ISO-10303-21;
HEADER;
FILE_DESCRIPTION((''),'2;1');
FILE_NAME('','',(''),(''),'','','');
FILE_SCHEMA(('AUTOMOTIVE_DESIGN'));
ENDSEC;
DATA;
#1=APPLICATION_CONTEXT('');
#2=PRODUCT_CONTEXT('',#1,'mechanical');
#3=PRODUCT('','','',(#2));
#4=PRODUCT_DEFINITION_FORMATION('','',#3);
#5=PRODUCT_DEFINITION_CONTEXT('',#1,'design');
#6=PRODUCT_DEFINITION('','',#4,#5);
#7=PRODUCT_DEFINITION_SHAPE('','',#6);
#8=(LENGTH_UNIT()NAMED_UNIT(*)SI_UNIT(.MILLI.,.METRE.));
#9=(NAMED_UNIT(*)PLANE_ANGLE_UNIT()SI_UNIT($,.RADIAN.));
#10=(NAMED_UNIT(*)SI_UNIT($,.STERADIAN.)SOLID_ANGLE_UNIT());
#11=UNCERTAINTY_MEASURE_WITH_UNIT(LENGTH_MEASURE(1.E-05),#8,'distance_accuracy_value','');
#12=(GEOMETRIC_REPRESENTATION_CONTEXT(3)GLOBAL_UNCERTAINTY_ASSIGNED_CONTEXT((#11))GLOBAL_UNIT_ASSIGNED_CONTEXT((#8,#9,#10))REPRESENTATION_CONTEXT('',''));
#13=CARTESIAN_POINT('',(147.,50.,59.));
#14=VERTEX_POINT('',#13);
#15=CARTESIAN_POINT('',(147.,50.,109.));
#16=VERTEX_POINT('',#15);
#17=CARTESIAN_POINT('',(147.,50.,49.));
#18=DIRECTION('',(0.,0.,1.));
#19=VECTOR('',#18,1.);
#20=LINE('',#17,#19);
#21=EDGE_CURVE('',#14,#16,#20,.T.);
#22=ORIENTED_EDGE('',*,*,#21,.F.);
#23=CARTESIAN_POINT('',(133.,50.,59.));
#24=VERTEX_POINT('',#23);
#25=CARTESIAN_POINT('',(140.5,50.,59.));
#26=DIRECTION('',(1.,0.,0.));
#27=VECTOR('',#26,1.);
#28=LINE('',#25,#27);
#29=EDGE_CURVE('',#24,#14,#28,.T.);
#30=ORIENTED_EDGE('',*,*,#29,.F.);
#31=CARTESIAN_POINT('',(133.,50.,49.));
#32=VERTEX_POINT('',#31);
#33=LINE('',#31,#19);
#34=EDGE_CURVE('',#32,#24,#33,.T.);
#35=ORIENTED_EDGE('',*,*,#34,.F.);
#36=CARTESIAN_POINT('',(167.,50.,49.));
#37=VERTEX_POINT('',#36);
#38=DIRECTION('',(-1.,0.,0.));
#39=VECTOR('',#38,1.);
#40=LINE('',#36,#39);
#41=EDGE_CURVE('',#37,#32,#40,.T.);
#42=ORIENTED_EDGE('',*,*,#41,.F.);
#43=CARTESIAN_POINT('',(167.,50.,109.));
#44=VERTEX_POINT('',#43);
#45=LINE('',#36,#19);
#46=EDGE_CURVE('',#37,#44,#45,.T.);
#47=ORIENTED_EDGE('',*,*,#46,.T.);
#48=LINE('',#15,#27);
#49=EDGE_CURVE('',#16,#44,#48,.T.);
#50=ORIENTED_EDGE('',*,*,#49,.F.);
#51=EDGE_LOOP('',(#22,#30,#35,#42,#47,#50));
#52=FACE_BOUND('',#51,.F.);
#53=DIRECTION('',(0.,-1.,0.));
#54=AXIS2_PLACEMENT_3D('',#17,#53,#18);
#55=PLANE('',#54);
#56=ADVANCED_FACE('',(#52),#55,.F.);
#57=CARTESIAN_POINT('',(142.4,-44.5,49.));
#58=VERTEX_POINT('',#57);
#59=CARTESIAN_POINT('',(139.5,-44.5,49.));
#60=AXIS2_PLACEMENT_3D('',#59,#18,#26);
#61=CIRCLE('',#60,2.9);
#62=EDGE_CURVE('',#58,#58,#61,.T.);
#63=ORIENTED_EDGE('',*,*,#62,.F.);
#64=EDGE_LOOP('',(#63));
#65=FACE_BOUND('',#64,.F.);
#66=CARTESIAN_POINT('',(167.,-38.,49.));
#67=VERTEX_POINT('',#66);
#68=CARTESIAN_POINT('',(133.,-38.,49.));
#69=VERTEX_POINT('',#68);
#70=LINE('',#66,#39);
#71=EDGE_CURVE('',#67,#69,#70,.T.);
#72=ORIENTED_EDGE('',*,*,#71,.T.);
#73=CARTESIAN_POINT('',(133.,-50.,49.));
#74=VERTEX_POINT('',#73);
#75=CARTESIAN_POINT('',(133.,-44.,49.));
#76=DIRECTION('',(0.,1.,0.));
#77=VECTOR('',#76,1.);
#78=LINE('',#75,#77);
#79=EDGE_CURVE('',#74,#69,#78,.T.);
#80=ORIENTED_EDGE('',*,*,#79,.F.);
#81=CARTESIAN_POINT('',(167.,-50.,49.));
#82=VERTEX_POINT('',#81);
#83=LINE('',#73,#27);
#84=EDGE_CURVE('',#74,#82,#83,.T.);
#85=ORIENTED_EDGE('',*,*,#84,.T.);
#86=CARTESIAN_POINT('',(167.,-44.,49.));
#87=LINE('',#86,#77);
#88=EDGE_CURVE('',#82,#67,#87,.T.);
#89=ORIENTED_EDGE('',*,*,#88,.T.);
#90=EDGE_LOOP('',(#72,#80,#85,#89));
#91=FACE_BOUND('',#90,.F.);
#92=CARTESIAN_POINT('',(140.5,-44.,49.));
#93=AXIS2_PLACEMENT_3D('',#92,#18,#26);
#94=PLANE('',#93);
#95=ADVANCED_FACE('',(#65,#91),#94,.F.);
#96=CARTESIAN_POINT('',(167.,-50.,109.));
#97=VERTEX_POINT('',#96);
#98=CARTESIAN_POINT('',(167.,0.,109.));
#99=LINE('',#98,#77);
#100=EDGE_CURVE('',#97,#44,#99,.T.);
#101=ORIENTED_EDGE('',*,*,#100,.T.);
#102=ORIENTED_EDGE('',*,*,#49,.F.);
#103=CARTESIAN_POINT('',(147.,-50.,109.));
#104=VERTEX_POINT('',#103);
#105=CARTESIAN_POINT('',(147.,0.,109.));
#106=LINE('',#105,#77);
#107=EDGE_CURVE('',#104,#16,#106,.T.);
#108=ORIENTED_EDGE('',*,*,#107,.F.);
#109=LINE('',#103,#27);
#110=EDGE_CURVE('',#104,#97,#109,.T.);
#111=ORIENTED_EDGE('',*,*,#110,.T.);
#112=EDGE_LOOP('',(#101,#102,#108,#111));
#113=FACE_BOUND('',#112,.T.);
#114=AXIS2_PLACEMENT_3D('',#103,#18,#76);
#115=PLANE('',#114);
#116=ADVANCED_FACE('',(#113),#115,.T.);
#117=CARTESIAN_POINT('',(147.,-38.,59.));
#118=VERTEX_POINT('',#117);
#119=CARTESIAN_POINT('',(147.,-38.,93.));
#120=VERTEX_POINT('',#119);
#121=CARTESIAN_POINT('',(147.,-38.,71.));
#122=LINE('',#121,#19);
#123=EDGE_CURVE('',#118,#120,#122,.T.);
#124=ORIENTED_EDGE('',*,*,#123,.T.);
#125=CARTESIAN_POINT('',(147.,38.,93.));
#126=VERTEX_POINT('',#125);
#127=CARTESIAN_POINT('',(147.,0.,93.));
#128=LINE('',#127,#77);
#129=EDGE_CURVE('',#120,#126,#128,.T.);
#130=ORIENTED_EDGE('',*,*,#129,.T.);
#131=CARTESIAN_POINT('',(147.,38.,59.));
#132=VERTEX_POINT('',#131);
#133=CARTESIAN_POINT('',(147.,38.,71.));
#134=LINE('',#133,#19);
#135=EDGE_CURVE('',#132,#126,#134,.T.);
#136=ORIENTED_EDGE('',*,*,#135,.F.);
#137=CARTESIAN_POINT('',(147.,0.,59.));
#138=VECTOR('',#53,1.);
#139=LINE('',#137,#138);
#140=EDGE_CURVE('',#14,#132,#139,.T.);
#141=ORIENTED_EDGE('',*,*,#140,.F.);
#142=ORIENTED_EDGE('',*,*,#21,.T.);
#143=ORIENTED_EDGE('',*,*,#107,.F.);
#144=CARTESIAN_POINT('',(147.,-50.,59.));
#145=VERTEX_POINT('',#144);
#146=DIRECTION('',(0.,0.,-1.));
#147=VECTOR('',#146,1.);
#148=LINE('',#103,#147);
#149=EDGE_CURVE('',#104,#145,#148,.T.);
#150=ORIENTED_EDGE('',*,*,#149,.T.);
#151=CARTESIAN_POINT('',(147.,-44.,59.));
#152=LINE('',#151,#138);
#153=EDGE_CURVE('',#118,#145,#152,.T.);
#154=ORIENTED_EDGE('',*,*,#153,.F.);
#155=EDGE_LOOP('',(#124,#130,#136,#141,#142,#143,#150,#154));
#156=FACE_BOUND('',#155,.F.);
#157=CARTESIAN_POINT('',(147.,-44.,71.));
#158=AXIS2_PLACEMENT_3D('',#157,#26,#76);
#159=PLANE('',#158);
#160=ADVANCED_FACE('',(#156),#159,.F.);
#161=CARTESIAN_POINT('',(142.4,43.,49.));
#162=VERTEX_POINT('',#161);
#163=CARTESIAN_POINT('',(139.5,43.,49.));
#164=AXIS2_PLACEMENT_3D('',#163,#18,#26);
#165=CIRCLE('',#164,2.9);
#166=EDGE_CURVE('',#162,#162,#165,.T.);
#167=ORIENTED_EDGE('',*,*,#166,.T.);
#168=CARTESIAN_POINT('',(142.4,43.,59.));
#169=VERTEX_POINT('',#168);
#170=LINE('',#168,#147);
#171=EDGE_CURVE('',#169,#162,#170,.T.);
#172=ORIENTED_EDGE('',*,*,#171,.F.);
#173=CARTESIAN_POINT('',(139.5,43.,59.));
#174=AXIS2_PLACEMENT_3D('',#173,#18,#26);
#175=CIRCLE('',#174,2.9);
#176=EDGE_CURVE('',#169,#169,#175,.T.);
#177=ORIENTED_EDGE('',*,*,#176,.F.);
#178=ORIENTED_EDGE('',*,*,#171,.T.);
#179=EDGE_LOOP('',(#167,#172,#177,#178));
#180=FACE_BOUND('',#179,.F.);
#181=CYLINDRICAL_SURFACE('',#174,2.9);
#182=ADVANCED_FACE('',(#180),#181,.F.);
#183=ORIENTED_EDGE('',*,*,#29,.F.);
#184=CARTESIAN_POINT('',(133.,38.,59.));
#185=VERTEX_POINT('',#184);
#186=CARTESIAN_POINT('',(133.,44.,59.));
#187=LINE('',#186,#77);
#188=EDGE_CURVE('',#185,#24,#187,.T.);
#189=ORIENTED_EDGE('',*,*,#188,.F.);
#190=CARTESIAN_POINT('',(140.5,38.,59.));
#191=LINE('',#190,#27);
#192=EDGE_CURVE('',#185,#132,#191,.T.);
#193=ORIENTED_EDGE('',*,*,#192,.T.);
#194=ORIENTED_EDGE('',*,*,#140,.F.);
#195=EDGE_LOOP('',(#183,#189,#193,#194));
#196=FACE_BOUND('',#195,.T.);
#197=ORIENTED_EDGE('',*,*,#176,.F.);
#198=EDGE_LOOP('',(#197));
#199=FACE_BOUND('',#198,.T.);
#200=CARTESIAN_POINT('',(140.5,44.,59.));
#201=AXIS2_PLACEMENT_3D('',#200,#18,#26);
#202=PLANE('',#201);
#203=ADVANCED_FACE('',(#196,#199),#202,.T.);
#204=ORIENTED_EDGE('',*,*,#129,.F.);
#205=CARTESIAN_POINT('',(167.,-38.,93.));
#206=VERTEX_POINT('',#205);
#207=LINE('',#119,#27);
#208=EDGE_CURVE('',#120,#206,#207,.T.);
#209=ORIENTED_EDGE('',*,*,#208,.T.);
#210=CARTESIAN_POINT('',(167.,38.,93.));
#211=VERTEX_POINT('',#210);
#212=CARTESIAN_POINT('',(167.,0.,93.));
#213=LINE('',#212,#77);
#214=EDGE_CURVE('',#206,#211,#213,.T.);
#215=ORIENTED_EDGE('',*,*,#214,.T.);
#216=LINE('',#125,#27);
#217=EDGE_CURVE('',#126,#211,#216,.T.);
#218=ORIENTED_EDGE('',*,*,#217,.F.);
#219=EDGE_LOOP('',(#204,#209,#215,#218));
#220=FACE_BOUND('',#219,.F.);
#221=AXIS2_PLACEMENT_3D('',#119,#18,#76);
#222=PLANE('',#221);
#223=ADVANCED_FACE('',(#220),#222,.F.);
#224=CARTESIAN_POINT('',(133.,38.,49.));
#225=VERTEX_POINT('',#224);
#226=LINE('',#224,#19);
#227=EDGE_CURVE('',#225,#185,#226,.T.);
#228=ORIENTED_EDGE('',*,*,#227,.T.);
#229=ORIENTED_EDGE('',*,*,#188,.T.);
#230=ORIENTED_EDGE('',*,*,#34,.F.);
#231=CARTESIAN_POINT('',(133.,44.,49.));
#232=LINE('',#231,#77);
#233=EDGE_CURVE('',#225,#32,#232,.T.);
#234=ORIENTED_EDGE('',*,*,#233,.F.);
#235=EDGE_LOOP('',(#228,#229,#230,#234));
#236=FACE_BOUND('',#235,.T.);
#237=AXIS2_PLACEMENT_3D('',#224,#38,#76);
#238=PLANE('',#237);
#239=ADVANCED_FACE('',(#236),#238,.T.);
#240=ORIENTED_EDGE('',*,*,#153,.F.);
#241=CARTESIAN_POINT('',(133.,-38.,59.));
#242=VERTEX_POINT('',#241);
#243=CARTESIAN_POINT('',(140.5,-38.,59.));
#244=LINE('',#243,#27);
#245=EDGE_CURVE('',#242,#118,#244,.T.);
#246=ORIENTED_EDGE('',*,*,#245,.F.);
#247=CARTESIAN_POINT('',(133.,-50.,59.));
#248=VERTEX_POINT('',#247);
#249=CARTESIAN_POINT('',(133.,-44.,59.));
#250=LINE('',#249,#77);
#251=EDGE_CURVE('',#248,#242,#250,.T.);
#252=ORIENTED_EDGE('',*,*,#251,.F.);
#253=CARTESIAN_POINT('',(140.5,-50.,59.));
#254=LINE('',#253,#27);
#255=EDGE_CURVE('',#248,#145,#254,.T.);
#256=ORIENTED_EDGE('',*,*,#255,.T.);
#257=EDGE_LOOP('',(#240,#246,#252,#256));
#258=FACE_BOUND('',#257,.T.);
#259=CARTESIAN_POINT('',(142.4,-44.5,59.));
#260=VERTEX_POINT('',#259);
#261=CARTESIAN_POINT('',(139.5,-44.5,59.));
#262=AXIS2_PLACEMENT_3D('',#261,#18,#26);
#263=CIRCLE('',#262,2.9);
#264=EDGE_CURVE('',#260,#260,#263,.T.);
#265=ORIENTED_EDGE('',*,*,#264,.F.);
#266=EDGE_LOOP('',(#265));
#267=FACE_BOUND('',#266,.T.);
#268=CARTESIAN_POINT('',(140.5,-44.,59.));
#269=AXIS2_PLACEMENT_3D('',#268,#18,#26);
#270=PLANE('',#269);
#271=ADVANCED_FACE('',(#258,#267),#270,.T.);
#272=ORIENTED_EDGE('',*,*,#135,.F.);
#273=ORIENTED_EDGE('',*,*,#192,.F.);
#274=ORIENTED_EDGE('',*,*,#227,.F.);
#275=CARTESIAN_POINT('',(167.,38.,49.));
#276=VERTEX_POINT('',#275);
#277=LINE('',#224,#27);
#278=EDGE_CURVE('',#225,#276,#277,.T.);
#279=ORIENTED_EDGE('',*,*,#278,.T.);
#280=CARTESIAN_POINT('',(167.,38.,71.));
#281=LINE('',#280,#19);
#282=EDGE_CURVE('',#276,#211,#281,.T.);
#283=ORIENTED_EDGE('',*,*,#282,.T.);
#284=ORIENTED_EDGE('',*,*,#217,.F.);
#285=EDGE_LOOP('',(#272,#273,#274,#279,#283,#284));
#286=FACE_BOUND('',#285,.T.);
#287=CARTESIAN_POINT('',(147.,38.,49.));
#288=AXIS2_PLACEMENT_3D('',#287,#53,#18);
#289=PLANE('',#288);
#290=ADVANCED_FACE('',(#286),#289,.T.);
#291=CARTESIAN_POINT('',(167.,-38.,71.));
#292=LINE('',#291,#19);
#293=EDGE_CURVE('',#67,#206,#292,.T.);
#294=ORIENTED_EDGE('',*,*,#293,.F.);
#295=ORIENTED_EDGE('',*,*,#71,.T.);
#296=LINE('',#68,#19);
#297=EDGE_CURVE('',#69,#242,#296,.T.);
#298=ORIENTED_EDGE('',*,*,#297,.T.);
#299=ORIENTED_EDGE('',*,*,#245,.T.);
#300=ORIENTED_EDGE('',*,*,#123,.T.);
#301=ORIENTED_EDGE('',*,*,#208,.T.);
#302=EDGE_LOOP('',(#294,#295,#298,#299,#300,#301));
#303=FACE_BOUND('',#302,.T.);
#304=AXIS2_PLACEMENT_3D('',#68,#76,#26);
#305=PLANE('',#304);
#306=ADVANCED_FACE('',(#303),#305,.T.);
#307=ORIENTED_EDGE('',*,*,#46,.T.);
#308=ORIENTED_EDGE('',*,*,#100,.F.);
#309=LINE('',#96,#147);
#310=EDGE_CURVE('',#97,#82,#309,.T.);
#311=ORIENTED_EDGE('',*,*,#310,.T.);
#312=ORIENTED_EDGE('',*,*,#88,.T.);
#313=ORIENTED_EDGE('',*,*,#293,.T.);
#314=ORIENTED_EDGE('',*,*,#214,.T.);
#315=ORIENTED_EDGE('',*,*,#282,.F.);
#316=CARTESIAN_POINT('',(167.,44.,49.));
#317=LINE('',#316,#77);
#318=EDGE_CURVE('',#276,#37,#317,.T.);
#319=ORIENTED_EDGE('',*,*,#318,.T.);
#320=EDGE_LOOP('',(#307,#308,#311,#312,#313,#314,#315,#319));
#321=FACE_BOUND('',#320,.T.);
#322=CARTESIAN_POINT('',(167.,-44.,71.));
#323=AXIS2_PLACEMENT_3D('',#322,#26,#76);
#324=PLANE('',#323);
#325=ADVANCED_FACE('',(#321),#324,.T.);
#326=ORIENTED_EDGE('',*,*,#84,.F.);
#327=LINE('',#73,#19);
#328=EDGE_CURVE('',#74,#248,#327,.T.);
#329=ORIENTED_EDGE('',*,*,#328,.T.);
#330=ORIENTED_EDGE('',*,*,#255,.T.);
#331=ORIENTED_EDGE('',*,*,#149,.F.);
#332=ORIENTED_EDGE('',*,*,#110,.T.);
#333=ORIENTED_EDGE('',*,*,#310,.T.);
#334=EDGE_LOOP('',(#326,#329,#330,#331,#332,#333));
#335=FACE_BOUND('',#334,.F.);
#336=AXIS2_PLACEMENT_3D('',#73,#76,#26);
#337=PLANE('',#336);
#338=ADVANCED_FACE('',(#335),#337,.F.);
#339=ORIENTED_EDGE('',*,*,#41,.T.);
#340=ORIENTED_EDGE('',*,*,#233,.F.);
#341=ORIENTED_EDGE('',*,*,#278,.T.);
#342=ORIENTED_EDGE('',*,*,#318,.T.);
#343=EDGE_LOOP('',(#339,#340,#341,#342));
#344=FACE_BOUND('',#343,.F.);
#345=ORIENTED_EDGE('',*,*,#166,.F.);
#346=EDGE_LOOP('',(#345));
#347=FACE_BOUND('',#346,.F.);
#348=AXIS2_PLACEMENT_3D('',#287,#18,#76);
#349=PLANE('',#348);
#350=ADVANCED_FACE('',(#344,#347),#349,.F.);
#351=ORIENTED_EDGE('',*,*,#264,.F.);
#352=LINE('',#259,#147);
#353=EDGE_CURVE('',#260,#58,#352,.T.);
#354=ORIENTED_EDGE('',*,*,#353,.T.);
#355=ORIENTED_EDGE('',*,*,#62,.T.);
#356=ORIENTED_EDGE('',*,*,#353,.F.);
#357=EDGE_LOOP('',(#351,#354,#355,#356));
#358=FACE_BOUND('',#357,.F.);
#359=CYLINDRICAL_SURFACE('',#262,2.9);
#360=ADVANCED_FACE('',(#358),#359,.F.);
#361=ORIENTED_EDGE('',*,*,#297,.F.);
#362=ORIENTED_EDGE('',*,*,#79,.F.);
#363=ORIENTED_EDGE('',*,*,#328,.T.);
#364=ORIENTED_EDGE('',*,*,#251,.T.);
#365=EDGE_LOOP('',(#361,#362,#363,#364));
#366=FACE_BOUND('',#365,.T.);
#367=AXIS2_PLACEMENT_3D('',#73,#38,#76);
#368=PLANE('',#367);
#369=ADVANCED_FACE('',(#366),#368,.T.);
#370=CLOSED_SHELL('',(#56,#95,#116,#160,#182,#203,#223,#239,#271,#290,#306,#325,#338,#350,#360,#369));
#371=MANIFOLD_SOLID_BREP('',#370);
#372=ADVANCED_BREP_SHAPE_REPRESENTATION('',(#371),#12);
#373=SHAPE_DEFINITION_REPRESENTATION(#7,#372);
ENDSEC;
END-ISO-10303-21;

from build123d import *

# Parameters (mm, degrees)
SKETCH132_W   = 12
SKETCH132_H   = 44
SKETCH132_W_2 = 100
SKETCH132_H_2 = 16
PAD051_DEPTH  = 20
SKETCH134_W   = 15
SKETCH134_H   = 12
PAD052_DEPTH  = 10
SKETCH133_R   = 2.9
HOLE008_DEPTH = 25


with BuildPart() as part:
    # Sketch132 → Pad051 (new body)
    with BuildSketch(Plane.YZ):
        with Locations((-42, 60)):
            Rectangle(SKETCH132_W, SKETCH132_H)
        with Locations((46, 60)):
            Rectangle(SKETCH132_W, SKETCH132_H)
        with Locations((2, 90)):
            Rectangle(SKETCH132_W_2, SKETCH132_H_2)
    extrude(amount=PAD051_DEPTH)

    # Sketch134 → Pad052 (join)
    with BuildSketch(Plane.XY.offset(38)):
        with Locations((-6.5, -42)):
            Rectangle(SKETCH134_W, SKETCH134_H)
        with Locations((-6.5, 46)):
            Rectangle(SKETCH134_W, SKETCH134_H)
    extrude(amount=PAD052_DEPTH)

    # Sketch133 → Hole008 (cut)
    with BuildSketch(Plane.XY.offset(48)):
        with Locations((-7.5, 45)):
            Circle(SKETCH133_R)
        with Locations((-7.5, -42.5)):
            Circle(SKETCH133_R)
    extrude(amount=-HOLE008_DEPTH, mode=Mode.SUBTRACT)


with BuildPart() as part_1:
    # Body080 placement: moved
    add(part.part.moved(Location((147, -2, 11))))


solid = part_1.part
